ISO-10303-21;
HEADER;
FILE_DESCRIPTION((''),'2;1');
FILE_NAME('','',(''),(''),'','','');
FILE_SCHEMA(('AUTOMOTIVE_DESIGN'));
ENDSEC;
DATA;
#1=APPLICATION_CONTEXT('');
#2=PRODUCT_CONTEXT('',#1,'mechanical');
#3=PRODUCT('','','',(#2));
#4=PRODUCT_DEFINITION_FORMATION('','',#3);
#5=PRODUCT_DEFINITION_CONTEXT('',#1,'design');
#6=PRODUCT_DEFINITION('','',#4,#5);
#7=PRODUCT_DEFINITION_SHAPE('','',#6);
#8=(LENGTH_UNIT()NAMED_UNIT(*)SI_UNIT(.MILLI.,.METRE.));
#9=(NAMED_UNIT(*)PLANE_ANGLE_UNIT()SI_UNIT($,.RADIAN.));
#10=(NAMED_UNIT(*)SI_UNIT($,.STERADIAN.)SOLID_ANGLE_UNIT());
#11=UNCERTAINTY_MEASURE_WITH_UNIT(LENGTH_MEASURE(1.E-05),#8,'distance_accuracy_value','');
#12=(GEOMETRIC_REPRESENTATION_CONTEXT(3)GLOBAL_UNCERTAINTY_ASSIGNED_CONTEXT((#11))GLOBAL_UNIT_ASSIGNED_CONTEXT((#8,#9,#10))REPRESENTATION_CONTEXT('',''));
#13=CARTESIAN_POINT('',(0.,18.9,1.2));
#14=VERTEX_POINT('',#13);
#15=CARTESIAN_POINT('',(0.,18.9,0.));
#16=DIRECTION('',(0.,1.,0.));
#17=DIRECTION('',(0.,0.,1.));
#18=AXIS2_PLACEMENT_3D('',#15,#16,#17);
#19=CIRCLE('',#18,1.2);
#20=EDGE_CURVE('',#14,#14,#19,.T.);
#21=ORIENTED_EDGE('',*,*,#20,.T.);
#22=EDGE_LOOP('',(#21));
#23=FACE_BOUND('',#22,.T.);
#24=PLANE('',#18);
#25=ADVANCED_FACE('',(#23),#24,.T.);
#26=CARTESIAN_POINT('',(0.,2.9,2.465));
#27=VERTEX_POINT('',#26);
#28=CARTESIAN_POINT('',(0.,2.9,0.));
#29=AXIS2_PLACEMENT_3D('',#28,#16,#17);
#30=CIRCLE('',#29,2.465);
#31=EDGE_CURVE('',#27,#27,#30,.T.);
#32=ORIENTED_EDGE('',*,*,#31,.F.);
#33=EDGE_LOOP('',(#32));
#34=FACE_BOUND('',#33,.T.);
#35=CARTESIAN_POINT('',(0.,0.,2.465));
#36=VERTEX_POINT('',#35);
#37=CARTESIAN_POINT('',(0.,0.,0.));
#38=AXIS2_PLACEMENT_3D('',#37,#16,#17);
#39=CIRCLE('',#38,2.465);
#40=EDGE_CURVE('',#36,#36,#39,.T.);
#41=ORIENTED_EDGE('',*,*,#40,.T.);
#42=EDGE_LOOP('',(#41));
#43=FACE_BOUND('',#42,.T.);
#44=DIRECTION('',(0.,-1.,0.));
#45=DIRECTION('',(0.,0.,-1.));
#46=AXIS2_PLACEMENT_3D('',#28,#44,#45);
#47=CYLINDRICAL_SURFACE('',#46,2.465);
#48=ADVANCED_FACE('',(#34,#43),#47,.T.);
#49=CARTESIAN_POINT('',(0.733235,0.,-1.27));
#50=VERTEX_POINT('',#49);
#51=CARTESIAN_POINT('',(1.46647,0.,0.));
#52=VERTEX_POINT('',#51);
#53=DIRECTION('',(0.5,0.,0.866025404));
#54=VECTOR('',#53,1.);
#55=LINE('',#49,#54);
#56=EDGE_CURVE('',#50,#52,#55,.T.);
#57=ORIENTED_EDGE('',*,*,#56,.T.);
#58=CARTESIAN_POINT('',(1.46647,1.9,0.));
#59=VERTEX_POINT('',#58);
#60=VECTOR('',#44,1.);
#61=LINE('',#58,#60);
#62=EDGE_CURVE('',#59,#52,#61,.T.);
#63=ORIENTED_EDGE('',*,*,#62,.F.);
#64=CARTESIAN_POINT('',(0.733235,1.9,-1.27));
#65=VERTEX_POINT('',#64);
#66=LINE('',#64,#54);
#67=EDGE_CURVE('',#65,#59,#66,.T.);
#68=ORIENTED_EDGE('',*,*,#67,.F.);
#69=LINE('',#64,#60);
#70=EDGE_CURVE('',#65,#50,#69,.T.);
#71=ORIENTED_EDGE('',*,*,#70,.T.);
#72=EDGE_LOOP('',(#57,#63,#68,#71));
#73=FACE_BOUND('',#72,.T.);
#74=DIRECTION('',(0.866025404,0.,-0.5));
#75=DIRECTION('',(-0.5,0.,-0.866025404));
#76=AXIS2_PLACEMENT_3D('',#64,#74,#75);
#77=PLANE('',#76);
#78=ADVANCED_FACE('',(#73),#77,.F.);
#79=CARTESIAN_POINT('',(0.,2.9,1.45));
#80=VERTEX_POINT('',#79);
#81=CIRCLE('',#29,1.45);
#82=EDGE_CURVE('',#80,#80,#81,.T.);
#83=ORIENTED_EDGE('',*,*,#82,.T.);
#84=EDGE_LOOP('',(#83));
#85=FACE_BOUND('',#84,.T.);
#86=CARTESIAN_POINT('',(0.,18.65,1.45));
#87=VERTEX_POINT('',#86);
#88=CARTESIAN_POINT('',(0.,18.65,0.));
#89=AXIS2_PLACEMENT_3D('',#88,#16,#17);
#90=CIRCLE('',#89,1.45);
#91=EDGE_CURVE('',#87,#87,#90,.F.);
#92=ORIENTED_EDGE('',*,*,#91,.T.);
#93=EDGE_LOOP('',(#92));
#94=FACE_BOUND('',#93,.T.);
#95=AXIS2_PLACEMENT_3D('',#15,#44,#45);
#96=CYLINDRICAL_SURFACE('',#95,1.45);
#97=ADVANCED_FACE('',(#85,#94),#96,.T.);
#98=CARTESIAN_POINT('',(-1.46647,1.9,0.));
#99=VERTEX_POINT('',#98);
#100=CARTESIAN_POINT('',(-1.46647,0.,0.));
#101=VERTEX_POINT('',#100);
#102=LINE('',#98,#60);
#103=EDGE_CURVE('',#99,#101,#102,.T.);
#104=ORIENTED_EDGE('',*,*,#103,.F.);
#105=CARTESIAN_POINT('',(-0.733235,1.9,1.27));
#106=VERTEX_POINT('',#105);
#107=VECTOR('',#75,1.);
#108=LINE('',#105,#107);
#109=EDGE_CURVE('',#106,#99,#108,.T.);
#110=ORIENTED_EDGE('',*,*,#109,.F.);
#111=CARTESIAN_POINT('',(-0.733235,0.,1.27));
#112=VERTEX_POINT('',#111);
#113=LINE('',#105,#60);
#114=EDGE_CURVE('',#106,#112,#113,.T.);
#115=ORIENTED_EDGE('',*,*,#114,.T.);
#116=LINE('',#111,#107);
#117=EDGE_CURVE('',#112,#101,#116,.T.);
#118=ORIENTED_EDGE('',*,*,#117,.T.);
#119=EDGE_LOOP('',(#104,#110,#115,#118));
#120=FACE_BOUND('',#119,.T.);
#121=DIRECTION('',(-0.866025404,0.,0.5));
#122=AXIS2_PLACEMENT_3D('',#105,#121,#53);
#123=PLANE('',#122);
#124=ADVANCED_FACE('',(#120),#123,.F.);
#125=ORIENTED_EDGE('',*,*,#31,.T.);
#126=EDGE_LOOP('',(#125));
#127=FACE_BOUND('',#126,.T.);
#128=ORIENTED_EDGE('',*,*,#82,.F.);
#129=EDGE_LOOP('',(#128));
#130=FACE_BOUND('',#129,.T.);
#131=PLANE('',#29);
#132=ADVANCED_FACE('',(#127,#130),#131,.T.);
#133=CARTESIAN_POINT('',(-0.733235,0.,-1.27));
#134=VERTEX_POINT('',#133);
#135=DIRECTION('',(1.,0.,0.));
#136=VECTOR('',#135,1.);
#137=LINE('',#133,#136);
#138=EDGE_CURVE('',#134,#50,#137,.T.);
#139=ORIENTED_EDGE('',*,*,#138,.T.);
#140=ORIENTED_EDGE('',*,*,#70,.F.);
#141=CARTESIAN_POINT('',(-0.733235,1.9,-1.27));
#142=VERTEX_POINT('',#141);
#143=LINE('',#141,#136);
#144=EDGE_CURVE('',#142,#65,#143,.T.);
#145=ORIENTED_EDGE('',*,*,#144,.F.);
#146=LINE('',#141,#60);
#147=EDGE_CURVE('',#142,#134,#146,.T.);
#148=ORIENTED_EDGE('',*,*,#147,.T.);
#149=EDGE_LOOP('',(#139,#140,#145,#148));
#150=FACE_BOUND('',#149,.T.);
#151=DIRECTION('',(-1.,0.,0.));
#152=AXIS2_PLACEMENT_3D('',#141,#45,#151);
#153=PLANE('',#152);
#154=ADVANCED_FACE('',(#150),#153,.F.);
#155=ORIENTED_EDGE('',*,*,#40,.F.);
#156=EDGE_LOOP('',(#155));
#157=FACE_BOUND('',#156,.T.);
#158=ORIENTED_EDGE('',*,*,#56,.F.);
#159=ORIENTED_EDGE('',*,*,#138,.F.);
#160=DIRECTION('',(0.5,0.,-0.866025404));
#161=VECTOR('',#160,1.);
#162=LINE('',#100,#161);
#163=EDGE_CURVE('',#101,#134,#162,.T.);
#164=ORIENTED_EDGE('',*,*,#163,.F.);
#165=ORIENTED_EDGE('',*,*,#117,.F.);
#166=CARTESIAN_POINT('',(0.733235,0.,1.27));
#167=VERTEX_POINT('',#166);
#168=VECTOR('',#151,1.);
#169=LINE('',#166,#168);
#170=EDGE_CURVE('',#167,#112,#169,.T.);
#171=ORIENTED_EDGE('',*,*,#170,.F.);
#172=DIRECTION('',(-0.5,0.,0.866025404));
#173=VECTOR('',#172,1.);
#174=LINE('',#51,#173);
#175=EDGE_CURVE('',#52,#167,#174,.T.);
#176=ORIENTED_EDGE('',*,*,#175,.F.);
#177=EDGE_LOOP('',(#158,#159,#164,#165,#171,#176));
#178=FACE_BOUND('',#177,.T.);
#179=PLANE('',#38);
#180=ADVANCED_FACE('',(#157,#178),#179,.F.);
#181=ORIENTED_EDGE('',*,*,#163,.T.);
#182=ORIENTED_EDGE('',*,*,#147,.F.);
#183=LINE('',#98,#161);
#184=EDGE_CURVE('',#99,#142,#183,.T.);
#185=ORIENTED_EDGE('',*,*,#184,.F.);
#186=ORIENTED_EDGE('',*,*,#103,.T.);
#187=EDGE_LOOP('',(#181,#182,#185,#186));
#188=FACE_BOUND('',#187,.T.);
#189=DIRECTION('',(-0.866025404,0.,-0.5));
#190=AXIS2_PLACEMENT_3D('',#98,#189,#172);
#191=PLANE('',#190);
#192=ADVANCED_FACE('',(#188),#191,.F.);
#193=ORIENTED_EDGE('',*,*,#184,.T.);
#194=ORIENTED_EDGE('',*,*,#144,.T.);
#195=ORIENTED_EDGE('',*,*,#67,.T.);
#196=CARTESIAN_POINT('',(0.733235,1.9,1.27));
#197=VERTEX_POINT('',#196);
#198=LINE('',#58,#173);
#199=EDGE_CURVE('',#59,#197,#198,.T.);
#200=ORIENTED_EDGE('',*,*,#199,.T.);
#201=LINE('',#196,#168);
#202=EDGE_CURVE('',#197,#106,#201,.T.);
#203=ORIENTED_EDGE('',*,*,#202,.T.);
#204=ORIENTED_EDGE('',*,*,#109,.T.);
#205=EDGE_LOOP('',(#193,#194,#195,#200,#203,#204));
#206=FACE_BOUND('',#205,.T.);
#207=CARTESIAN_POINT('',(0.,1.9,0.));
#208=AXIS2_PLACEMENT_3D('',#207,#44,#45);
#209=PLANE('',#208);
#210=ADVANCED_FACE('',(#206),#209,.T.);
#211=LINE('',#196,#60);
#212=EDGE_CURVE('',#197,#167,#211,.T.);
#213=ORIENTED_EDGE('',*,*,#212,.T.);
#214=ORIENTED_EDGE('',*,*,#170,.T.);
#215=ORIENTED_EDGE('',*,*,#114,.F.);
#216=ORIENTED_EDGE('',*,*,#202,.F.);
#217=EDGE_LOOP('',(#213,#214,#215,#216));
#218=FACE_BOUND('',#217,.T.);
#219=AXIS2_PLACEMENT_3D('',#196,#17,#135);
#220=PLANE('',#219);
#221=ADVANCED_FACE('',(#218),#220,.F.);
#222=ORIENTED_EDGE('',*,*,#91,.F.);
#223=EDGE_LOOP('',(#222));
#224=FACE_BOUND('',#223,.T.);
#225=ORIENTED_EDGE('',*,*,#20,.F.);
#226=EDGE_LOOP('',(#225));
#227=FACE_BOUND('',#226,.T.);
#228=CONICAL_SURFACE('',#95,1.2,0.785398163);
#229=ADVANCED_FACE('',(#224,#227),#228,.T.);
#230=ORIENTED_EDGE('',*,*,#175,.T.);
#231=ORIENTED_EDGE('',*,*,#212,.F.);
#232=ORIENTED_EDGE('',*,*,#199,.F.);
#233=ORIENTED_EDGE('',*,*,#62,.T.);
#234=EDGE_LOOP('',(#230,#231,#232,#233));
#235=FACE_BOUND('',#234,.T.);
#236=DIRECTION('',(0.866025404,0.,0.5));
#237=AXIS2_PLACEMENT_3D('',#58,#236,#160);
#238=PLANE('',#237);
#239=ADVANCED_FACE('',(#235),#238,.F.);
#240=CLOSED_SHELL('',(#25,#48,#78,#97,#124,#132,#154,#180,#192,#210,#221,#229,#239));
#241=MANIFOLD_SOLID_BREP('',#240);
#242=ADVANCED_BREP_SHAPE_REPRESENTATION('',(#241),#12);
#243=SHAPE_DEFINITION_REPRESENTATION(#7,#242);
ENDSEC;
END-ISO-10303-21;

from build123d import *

# Parameters (mm, degrees)
SKETCH1_R           = 2.465
BOSS_EXTRUDE1_DEPTH = 2.9
SKETCH2_R           = 1.45
BOSS_EXTRUDE2_DEPTH = 16
CUT_EXTRUDE1_DEPTH  = 1.9
CHAMFER1_SIZE       = 0.25


with BuildPart() as part:
    # Sketch1 → Boss-Extrude1 (new body)
    with BuildSketch(Plane(origin=(0, 0, 0), x_dir=(1, 0, 0), z_dir=(0, 1, 0))):
        Circle(SKETCH1_R)
    extrude(amount=BOSS_EXTRUDE1_DEPTH)

    # Sketch2 → Boss-Extrude2 (add)
    with BuildSketch(Plane(origin=(0, 2.9, 0), x_dir=(1, 0, 0), z_dir=(0, 1, 0))):
        Circle(SKETCH2_R)
    extrude(amount=BOSS_EXTRUDE2_DEPTH)

    # Sketch3 → Cut-Extrude1 (cut)
    with BuildSketch(Plane.XZ):
        Polygon((0.733234842, -1.27), (1.466469684, 0), (0.733234842, 1.27), (-0.733234842, 1.27), (-1.466469684, 0), (-0.733234842, -1.27), align=None)
    extrude(amount=-CUT_EXTRUDE1_DEPTH, mode=Mode.SUBTRACT)

    # Chamfer1
    chamfer1_edges = [part.edges().sort_by_distance(p)[0] for p in [
        (-1.45, 18.9, 0),
    ]]
    chamfer(chamfer1_edges, length=CHAMFER1_SIZE)


solid = part.part
